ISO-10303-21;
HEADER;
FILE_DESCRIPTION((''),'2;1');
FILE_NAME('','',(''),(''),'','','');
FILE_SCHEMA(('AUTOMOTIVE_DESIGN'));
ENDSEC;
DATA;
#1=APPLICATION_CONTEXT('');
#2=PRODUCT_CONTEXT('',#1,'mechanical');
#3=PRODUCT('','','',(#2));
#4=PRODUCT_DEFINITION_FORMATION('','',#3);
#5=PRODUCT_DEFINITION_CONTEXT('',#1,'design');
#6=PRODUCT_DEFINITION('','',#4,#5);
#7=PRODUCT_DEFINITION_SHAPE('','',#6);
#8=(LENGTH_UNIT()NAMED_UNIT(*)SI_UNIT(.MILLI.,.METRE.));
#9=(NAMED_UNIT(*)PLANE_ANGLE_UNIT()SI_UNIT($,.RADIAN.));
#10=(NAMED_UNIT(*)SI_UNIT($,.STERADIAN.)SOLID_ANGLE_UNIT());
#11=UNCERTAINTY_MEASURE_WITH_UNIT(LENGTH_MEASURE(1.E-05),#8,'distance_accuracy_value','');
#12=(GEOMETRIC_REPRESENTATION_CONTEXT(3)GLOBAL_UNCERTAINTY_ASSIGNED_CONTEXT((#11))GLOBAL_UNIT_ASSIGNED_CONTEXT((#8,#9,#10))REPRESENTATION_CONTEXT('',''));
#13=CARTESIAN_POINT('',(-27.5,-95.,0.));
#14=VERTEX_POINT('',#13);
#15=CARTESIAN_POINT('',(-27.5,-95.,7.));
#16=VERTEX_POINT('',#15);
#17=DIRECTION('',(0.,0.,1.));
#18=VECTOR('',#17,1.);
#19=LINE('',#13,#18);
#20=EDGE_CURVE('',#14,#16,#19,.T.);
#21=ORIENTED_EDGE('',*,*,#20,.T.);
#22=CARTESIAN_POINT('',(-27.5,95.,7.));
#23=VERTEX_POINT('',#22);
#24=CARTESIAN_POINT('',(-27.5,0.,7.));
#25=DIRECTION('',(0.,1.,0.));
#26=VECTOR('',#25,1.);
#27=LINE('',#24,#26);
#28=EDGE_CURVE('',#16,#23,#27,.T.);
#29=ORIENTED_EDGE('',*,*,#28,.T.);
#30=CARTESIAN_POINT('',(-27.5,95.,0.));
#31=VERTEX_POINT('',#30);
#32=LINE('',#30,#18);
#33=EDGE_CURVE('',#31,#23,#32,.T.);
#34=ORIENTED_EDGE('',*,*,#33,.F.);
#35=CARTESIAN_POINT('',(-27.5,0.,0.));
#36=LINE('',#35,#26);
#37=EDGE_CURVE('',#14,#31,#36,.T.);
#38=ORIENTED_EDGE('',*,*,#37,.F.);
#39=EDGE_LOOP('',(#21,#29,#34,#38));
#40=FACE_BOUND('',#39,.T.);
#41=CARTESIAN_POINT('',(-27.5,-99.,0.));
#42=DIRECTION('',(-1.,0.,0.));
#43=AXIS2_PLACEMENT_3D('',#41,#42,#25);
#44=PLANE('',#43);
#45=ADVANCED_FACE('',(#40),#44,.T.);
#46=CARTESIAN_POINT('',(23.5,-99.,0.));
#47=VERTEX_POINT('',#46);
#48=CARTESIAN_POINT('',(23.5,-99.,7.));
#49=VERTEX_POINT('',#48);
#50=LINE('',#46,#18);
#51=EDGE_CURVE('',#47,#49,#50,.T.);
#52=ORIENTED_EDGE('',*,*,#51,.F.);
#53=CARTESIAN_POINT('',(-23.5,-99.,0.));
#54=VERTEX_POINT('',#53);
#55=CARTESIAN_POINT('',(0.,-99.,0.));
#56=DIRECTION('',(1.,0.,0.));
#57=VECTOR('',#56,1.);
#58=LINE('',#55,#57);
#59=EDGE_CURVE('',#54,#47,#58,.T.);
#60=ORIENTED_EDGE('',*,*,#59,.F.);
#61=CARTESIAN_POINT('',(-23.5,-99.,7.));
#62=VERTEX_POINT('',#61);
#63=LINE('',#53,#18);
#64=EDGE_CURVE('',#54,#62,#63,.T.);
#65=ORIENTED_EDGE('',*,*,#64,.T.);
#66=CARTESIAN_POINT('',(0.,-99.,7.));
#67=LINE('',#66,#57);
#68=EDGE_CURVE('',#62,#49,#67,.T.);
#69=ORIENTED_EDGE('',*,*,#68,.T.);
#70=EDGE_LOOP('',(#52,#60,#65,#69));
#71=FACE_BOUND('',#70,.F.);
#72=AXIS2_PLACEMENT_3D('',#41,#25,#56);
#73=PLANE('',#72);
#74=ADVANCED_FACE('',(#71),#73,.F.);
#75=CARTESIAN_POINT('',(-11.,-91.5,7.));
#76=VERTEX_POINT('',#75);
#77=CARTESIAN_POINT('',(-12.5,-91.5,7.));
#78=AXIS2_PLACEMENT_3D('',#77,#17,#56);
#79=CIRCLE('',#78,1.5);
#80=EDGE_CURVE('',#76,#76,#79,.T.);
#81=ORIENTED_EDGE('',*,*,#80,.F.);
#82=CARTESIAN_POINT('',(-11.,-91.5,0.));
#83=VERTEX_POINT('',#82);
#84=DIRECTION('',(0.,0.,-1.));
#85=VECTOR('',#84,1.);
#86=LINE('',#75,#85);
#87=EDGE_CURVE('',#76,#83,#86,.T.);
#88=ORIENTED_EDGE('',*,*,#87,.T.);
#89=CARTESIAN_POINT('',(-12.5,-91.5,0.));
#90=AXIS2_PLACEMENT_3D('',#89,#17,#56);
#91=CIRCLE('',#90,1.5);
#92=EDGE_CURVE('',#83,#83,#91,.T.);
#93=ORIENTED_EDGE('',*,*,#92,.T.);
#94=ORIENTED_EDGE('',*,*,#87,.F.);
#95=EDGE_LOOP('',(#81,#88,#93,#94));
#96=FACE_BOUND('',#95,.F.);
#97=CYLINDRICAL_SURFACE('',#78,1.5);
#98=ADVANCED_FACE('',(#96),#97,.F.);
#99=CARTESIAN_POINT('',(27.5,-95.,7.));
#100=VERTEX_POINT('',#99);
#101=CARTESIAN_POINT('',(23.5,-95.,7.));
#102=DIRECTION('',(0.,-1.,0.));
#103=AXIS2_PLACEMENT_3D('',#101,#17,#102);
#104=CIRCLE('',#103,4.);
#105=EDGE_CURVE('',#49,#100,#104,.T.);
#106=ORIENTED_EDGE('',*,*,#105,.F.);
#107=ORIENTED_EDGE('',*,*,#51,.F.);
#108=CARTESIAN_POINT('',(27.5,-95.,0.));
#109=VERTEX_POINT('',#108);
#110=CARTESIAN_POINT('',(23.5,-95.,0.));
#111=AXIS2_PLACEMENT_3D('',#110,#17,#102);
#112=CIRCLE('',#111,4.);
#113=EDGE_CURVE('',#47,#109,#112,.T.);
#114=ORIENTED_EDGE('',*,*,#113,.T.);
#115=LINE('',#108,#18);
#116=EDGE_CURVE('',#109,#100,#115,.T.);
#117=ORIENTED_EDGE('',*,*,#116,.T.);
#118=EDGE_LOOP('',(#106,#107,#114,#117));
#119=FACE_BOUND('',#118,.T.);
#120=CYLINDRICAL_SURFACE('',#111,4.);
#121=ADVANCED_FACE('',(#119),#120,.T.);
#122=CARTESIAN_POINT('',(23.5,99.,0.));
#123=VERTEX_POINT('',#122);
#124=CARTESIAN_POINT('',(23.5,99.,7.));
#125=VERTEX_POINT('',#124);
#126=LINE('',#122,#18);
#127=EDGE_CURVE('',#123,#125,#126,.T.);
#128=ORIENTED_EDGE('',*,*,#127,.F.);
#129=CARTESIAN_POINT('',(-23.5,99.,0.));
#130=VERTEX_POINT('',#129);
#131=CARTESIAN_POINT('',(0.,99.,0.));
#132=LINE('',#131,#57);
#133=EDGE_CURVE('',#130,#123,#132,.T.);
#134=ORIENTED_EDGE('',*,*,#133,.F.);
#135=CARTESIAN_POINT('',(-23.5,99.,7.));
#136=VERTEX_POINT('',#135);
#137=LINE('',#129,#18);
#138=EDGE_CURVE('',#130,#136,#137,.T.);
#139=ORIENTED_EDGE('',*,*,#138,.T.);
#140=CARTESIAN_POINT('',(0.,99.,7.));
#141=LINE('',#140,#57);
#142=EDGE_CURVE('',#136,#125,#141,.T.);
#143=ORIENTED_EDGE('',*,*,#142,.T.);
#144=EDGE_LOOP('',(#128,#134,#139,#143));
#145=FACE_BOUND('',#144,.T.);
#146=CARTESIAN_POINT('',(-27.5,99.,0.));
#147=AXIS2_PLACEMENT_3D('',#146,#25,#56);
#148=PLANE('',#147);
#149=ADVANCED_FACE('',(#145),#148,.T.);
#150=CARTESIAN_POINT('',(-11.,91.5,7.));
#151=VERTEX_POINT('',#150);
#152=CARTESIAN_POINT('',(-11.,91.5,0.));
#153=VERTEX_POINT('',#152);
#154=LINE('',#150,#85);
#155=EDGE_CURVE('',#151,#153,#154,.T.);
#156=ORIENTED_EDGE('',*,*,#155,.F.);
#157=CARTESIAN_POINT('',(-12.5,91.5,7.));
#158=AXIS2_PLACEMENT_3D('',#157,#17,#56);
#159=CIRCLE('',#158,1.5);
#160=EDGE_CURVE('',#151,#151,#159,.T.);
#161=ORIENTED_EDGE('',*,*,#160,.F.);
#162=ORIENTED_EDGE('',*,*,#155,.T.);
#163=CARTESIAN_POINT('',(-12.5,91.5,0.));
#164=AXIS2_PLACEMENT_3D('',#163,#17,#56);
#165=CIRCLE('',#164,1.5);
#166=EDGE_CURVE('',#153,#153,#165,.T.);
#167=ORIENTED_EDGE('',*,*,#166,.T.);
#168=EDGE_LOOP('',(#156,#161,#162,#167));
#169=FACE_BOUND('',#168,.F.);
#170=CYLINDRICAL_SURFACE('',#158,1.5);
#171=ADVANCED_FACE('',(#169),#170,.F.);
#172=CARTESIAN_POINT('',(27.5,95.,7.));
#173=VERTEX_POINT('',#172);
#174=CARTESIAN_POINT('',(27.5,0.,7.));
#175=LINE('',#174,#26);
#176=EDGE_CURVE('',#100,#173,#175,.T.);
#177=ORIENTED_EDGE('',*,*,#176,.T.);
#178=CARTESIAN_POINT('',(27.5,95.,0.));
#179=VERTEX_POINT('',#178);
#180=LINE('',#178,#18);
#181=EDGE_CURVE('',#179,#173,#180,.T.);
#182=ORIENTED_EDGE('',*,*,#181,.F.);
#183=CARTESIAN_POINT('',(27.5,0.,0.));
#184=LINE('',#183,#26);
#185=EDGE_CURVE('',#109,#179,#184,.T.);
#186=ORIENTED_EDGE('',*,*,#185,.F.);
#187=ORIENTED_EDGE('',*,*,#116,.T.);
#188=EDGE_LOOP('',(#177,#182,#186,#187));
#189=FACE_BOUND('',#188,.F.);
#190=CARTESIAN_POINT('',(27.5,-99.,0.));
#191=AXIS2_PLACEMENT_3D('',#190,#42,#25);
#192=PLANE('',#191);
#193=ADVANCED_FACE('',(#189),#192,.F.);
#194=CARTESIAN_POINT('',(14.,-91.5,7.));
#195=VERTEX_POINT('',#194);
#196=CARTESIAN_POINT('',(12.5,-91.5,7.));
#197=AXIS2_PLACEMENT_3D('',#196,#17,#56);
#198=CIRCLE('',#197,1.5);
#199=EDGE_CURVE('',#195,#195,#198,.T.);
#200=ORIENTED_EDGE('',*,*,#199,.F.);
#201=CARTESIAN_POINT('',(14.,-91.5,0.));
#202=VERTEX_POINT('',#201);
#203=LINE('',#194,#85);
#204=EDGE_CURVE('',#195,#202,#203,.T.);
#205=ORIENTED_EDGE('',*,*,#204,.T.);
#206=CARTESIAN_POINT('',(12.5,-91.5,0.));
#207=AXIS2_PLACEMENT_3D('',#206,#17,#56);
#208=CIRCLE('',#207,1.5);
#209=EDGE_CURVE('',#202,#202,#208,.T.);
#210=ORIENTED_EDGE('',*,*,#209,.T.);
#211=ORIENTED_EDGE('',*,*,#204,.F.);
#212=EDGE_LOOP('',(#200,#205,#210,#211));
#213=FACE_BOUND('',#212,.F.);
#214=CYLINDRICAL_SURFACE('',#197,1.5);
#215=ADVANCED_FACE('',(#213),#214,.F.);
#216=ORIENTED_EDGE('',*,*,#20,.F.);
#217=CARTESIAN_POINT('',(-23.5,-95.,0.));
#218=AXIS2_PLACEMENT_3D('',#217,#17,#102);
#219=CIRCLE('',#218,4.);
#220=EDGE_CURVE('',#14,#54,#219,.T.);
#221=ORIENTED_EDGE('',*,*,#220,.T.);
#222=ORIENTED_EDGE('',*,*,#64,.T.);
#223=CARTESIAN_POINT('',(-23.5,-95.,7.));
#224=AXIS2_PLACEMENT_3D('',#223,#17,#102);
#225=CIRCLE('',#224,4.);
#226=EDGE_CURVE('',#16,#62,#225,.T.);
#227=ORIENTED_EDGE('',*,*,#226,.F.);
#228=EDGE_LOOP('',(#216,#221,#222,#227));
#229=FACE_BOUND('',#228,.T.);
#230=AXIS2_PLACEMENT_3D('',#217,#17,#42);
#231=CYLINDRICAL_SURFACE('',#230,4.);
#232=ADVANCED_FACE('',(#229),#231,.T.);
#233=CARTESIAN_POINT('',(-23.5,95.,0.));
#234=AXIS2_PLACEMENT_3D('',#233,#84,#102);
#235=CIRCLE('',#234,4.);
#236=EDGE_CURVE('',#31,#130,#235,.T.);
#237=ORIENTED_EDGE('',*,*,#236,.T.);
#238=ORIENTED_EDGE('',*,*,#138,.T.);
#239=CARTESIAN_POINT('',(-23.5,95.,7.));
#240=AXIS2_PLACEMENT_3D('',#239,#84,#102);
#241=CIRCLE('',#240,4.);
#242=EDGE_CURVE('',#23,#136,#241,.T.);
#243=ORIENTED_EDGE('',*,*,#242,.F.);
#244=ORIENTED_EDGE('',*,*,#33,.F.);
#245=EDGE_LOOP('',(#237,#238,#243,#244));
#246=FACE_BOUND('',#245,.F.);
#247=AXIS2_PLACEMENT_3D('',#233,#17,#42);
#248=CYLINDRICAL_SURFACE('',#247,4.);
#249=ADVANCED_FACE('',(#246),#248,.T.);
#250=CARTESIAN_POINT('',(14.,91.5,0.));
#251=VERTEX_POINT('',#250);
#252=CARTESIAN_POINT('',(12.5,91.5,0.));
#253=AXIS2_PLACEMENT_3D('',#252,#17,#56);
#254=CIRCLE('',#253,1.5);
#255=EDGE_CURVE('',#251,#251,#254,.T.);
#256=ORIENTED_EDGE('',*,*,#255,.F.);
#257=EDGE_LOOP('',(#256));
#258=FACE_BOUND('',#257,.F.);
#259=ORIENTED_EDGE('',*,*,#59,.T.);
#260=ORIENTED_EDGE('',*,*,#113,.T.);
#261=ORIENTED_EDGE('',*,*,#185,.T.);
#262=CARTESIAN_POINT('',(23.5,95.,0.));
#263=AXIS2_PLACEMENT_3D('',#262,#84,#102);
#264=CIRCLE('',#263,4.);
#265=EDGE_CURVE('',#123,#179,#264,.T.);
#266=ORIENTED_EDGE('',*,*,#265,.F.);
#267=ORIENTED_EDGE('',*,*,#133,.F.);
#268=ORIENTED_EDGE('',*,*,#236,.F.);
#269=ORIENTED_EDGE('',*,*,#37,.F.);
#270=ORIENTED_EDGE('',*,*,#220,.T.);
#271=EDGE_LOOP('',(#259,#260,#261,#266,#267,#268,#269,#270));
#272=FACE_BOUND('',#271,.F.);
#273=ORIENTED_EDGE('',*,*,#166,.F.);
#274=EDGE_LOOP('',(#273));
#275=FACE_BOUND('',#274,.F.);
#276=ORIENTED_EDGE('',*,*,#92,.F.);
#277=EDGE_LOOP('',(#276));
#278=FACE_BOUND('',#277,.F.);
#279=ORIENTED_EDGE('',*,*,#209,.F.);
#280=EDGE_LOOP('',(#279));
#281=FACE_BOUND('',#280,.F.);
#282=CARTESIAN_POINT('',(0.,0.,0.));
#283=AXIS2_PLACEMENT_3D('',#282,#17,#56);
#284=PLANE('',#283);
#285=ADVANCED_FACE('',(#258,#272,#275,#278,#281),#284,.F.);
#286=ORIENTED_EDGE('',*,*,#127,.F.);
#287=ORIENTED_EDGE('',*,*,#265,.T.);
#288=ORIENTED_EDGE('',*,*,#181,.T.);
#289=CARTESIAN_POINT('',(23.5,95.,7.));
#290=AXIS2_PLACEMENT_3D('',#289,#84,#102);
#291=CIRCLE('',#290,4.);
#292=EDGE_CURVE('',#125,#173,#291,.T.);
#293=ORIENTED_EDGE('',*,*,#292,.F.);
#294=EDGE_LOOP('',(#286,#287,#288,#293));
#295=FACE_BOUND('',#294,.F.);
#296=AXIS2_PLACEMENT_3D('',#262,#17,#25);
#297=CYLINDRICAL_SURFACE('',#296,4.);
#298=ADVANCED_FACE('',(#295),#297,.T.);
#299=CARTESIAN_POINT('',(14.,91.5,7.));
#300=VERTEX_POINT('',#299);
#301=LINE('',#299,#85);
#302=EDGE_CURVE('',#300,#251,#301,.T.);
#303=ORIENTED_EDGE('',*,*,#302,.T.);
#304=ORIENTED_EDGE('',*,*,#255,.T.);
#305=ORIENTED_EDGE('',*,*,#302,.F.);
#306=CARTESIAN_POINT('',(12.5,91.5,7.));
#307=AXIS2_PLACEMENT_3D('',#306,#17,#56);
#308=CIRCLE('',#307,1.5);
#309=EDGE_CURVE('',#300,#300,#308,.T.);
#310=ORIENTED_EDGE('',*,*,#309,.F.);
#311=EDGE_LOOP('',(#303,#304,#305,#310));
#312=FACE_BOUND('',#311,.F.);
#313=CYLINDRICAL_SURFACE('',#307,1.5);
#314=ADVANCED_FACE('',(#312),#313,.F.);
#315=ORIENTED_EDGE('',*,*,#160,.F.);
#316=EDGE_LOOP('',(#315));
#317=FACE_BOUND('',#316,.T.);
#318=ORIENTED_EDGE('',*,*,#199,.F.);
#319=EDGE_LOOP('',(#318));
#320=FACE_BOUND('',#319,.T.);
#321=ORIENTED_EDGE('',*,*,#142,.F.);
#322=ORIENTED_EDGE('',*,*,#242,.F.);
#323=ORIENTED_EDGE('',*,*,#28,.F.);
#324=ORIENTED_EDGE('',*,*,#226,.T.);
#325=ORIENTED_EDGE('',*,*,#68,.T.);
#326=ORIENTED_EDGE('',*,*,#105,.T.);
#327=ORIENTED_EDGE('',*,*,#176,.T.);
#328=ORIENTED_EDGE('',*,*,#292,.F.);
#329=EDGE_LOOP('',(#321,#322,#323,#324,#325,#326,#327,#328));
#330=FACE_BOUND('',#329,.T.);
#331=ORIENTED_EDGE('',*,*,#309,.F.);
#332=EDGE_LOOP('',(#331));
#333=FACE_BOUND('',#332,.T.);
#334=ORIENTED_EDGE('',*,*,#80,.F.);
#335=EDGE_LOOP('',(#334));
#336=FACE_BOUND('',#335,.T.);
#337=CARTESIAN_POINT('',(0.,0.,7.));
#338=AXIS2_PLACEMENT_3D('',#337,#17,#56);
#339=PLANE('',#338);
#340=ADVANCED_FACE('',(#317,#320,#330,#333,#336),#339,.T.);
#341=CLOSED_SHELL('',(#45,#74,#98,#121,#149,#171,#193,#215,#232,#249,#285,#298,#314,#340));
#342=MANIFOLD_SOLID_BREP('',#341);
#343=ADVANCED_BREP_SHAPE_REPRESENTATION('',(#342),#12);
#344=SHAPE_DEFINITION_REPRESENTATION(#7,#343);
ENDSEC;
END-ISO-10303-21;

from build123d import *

# Parameters (mm, degrees)
SKETCH_W     = 55
SKETCH_H     = 198
PAD_DEPTH    = 7
SKETCH001_R  = 1.5
POCKET_DEPTH = 7.001
FILLET_R     = 4


with BuildPart() as part:
    # Sketch → Pad (new body)
    with BuildSketch(Plane.XY):
        Rectangle(SKETCH_W, SKETCH_H)
    extrude(amount=PAD_DEPTH)

    # Sketch001 (on Face6 of Pad) → Pocket (cut, through all)
    with BuildSketch(Plane.XY.offset(7)):
        with Locations((-12.5, 91.5)):
            Circle(SKETCH001_R)
        with Locations((12.5, 91.5)):
            Circle(SKETCH001_R)
        with Locations((-12.5, -91.5)):
            Circle(SKETCH001_R)
        with Locations((12.5, -91.5)):
            Circle(SKETCH001_R)
    extrude(amount=-POCKET_DEPTH, mode=Mode.SUBTRACT)

    # Fillet
    fillet_edges = [part.edges().sort_by_distance(p)[0] for p in [
        (-27.5, 99, 3.5),
        (-27.5, -99, 3.5),
        (27.5, -99, 3.5),
        (27.5, 99, 3.5),
    ]]
    fillet(fillet_edges, radius=FILLET_R)


solid = part.part
